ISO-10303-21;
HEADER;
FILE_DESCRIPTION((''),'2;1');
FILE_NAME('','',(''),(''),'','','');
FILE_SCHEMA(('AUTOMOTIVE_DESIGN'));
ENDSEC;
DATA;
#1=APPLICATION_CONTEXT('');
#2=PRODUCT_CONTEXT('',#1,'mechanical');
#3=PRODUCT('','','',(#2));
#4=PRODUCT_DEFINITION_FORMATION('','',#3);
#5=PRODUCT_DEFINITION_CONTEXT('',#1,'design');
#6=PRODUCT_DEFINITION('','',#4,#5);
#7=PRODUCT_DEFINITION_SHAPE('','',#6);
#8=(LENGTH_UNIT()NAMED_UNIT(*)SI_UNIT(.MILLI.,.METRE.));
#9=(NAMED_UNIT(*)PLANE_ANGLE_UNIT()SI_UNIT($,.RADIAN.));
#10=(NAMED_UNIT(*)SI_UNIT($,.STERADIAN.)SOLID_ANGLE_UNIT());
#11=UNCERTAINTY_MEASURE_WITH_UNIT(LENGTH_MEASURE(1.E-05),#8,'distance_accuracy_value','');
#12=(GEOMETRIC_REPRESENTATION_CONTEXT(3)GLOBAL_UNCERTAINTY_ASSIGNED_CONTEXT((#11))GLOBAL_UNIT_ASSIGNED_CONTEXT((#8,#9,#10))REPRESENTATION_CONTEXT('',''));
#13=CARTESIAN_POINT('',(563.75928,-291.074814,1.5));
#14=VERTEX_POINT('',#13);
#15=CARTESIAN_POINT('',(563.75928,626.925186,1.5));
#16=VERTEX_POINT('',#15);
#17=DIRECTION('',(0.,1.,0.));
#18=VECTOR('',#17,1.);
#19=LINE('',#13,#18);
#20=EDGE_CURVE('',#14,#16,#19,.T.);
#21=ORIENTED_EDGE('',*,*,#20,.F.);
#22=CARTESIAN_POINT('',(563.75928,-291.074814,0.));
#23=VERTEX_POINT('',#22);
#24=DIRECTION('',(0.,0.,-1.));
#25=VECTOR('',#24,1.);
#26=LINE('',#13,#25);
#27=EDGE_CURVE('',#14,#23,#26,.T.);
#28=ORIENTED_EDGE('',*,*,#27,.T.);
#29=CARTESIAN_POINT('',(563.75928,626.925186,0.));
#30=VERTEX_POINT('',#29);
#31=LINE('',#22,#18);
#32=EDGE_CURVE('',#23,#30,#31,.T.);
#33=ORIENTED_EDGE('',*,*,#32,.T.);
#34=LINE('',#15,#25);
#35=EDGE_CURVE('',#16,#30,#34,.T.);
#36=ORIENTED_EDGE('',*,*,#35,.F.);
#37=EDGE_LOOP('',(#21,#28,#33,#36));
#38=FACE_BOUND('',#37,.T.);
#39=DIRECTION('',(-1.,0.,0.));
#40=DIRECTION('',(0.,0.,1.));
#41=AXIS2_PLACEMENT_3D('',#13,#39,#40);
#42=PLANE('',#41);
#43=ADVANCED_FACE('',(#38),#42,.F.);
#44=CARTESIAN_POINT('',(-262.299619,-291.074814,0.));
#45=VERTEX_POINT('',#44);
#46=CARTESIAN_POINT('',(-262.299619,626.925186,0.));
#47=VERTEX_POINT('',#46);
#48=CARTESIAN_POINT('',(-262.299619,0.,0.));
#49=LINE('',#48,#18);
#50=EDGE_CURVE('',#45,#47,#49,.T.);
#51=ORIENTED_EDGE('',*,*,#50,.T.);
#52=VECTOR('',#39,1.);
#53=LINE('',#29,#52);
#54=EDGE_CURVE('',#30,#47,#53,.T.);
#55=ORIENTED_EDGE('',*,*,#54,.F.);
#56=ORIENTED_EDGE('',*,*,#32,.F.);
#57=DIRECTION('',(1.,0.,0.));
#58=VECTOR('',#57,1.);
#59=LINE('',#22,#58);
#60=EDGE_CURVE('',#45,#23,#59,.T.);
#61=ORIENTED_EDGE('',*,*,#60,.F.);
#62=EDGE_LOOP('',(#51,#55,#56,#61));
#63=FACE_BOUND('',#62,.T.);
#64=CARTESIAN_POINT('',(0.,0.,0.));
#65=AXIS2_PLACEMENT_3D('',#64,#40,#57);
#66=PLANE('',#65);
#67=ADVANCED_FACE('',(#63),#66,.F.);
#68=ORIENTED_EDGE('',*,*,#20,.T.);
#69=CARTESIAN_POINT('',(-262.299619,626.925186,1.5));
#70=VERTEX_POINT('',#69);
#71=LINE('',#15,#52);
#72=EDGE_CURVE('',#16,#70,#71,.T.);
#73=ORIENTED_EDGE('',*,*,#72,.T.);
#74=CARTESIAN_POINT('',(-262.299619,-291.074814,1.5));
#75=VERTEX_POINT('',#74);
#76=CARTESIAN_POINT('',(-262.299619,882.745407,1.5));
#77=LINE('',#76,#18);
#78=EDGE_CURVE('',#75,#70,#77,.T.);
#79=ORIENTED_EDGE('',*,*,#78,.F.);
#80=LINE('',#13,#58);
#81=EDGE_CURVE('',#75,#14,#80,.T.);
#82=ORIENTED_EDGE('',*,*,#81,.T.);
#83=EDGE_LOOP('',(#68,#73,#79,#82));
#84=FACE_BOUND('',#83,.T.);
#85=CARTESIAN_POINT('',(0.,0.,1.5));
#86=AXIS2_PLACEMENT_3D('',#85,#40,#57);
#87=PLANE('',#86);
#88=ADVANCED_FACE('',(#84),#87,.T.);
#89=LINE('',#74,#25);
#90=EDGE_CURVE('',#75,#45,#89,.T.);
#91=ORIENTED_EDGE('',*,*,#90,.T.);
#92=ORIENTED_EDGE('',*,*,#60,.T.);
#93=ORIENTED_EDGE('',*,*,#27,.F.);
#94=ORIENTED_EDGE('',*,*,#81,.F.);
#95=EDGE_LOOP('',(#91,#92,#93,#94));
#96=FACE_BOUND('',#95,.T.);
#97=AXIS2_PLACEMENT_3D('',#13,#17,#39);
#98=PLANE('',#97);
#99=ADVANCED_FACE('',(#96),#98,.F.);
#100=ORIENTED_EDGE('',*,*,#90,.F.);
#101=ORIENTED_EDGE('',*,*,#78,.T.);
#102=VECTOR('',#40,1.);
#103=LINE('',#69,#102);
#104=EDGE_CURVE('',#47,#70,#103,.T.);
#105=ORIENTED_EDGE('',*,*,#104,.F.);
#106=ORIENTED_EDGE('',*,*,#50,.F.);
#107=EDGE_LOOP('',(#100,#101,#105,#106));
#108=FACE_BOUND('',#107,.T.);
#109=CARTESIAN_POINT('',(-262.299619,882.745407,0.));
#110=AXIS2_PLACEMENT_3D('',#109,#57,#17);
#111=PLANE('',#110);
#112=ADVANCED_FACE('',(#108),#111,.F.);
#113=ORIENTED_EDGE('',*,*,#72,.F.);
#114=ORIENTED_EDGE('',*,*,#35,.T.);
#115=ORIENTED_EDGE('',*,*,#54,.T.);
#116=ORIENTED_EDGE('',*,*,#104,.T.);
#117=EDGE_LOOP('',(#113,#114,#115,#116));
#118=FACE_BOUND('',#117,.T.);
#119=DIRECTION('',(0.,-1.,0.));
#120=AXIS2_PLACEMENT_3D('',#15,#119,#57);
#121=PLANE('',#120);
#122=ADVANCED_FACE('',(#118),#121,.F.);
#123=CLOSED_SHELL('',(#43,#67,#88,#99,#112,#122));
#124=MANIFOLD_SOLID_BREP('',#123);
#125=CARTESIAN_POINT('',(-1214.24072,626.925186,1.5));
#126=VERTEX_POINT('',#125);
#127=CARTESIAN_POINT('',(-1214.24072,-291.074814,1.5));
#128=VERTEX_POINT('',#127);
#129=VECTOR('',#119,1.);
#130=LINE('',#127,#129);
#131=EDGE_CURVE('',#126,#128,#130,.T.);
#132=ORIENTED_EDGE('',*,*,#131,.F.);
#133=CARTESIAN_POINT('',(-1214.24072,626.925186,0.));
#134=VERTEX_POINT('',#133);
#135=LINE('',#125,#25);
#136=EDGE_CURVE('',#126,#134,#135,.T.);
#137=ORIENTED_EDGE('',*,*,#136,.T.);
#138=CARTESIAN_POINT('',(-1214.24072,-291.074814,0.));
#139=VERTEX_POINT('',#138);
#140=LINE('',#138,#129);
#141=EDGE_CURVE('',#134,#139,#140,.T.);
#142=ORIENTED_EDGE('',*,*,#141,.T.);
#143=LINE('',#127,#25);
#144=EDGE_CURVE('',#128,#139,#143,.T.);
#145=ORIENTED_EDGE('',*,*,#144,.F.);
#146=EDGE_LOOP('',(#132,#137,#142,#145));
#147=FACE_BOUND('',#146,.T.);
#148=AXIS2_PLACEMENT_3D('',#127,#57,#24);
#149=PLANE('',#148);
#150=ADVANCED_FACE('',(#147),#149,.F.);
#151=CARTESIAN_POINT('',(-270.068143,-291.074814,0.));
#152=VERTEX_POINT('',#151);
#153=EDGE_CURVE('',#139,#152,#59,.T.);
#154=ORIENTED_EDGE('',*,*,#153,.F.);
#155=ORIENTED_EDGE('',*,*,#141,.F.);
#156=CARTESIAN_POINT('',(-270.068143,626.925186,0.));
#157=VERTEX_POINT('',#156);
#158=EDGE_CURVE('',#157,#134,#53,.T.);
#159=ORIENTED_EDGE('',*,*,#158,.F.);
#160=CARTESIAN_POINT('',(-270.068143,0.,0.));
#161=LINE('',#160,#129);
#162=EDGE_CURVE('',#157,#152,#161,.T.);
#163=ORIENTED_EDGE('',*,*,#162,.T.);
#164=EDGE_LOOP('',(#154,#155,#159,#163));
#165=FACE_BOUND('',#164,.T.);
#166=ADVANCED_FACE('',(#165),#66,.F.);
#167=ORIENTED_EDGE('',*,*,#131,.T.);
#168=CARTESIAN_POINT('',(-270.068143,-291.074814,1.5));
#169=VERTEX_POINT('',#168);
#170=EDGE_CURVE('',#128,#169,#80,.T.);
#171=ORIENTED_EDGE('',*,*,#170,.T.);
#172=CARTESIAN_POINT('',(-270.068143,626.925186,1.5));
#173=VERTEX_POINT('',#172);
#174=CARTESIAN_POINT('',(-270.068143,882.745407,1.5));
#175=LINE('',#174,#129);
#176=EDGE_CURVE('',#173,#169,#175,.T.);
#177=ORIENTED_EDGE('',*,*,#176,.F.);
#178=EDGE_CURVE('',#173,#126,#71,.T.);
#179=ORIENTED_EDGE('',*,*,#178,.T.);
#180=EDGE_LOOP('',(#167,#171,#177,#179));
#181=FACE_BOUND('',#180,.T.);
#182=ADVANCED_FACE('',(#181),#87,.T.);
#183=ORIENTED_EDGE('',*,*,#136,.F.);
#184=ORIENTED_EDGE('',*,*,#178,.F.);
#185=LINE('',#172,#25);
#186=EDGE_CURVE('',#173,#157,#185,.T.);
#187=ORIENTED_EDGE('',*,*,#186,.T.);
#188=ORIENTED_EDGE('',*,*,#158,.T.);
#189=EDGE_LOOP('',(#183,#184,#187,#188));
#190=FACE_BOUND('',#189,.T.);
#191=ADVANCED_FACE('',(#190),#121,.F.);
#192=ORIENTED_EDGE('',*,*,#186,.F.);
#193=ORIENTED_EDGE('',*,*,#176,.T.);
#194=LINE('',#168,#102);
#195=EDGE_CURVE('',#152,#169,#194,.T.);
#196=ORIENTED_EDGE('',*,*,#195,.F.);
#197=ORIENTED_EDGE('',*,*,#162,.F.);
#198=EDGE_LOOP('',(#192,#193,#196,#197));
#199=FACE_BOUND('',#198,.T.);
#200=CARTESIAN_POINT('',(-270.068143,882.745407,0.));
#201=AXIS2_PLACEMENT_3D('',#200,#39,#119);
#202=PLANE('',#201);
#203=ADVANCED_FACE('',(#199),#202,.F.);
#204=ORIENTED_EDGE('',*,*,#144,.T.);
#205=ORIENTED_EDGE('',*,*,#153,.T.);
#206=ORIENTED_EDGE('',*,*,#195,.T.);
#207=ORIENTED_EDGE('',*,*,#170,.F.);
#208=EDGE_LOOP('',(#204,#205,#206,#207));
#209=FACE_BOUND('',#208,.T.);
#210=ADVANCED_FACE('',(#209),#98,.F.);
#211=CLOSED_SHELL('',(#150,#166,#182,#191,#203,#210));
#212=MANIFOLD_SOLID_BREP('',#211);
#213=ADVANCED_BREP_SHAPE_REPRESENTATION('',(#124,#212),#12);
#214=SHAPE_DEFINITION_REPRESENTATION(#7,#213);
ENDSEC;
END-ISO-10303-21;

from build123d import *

# Parameters (mm, degrees)
SKETCH_1_W          = 1778
SKETCH_1_H          = 918
EXTRUDE_1_DEPTH     = 1.5
SKETCH_2_W          = 7.768523467
SKETCH_2_H          = 1643.967023226
CUT_EXTRUDE_1_DEPTH = 2.5


with BuildPart() as part:
    # 草图1 → 凸台-拉伸1 (new body)
    with BuildSketch(Plane.XY):
        with Locations((-325.240719956, 167.925186119)):
            Rectangle(SKETCH_1_W, SKETCH_1_H)
    extrude(amount=EXTRUDE_1_DEPTH)

    # 草图2 → 切除-拉伸1 (cut, through all)
    with BuildSketch(Plane.XY.offset(1.5)):
        with Locations((-266.183880817, 60.76189507)):
            Rectangle(SKETCH_2_W, SKETCH_2_H)
    extrude(amount=-CUT_EXTRUDE_1_DEPTH, mode=Mode.SUBTRACT)


solid = part.part
